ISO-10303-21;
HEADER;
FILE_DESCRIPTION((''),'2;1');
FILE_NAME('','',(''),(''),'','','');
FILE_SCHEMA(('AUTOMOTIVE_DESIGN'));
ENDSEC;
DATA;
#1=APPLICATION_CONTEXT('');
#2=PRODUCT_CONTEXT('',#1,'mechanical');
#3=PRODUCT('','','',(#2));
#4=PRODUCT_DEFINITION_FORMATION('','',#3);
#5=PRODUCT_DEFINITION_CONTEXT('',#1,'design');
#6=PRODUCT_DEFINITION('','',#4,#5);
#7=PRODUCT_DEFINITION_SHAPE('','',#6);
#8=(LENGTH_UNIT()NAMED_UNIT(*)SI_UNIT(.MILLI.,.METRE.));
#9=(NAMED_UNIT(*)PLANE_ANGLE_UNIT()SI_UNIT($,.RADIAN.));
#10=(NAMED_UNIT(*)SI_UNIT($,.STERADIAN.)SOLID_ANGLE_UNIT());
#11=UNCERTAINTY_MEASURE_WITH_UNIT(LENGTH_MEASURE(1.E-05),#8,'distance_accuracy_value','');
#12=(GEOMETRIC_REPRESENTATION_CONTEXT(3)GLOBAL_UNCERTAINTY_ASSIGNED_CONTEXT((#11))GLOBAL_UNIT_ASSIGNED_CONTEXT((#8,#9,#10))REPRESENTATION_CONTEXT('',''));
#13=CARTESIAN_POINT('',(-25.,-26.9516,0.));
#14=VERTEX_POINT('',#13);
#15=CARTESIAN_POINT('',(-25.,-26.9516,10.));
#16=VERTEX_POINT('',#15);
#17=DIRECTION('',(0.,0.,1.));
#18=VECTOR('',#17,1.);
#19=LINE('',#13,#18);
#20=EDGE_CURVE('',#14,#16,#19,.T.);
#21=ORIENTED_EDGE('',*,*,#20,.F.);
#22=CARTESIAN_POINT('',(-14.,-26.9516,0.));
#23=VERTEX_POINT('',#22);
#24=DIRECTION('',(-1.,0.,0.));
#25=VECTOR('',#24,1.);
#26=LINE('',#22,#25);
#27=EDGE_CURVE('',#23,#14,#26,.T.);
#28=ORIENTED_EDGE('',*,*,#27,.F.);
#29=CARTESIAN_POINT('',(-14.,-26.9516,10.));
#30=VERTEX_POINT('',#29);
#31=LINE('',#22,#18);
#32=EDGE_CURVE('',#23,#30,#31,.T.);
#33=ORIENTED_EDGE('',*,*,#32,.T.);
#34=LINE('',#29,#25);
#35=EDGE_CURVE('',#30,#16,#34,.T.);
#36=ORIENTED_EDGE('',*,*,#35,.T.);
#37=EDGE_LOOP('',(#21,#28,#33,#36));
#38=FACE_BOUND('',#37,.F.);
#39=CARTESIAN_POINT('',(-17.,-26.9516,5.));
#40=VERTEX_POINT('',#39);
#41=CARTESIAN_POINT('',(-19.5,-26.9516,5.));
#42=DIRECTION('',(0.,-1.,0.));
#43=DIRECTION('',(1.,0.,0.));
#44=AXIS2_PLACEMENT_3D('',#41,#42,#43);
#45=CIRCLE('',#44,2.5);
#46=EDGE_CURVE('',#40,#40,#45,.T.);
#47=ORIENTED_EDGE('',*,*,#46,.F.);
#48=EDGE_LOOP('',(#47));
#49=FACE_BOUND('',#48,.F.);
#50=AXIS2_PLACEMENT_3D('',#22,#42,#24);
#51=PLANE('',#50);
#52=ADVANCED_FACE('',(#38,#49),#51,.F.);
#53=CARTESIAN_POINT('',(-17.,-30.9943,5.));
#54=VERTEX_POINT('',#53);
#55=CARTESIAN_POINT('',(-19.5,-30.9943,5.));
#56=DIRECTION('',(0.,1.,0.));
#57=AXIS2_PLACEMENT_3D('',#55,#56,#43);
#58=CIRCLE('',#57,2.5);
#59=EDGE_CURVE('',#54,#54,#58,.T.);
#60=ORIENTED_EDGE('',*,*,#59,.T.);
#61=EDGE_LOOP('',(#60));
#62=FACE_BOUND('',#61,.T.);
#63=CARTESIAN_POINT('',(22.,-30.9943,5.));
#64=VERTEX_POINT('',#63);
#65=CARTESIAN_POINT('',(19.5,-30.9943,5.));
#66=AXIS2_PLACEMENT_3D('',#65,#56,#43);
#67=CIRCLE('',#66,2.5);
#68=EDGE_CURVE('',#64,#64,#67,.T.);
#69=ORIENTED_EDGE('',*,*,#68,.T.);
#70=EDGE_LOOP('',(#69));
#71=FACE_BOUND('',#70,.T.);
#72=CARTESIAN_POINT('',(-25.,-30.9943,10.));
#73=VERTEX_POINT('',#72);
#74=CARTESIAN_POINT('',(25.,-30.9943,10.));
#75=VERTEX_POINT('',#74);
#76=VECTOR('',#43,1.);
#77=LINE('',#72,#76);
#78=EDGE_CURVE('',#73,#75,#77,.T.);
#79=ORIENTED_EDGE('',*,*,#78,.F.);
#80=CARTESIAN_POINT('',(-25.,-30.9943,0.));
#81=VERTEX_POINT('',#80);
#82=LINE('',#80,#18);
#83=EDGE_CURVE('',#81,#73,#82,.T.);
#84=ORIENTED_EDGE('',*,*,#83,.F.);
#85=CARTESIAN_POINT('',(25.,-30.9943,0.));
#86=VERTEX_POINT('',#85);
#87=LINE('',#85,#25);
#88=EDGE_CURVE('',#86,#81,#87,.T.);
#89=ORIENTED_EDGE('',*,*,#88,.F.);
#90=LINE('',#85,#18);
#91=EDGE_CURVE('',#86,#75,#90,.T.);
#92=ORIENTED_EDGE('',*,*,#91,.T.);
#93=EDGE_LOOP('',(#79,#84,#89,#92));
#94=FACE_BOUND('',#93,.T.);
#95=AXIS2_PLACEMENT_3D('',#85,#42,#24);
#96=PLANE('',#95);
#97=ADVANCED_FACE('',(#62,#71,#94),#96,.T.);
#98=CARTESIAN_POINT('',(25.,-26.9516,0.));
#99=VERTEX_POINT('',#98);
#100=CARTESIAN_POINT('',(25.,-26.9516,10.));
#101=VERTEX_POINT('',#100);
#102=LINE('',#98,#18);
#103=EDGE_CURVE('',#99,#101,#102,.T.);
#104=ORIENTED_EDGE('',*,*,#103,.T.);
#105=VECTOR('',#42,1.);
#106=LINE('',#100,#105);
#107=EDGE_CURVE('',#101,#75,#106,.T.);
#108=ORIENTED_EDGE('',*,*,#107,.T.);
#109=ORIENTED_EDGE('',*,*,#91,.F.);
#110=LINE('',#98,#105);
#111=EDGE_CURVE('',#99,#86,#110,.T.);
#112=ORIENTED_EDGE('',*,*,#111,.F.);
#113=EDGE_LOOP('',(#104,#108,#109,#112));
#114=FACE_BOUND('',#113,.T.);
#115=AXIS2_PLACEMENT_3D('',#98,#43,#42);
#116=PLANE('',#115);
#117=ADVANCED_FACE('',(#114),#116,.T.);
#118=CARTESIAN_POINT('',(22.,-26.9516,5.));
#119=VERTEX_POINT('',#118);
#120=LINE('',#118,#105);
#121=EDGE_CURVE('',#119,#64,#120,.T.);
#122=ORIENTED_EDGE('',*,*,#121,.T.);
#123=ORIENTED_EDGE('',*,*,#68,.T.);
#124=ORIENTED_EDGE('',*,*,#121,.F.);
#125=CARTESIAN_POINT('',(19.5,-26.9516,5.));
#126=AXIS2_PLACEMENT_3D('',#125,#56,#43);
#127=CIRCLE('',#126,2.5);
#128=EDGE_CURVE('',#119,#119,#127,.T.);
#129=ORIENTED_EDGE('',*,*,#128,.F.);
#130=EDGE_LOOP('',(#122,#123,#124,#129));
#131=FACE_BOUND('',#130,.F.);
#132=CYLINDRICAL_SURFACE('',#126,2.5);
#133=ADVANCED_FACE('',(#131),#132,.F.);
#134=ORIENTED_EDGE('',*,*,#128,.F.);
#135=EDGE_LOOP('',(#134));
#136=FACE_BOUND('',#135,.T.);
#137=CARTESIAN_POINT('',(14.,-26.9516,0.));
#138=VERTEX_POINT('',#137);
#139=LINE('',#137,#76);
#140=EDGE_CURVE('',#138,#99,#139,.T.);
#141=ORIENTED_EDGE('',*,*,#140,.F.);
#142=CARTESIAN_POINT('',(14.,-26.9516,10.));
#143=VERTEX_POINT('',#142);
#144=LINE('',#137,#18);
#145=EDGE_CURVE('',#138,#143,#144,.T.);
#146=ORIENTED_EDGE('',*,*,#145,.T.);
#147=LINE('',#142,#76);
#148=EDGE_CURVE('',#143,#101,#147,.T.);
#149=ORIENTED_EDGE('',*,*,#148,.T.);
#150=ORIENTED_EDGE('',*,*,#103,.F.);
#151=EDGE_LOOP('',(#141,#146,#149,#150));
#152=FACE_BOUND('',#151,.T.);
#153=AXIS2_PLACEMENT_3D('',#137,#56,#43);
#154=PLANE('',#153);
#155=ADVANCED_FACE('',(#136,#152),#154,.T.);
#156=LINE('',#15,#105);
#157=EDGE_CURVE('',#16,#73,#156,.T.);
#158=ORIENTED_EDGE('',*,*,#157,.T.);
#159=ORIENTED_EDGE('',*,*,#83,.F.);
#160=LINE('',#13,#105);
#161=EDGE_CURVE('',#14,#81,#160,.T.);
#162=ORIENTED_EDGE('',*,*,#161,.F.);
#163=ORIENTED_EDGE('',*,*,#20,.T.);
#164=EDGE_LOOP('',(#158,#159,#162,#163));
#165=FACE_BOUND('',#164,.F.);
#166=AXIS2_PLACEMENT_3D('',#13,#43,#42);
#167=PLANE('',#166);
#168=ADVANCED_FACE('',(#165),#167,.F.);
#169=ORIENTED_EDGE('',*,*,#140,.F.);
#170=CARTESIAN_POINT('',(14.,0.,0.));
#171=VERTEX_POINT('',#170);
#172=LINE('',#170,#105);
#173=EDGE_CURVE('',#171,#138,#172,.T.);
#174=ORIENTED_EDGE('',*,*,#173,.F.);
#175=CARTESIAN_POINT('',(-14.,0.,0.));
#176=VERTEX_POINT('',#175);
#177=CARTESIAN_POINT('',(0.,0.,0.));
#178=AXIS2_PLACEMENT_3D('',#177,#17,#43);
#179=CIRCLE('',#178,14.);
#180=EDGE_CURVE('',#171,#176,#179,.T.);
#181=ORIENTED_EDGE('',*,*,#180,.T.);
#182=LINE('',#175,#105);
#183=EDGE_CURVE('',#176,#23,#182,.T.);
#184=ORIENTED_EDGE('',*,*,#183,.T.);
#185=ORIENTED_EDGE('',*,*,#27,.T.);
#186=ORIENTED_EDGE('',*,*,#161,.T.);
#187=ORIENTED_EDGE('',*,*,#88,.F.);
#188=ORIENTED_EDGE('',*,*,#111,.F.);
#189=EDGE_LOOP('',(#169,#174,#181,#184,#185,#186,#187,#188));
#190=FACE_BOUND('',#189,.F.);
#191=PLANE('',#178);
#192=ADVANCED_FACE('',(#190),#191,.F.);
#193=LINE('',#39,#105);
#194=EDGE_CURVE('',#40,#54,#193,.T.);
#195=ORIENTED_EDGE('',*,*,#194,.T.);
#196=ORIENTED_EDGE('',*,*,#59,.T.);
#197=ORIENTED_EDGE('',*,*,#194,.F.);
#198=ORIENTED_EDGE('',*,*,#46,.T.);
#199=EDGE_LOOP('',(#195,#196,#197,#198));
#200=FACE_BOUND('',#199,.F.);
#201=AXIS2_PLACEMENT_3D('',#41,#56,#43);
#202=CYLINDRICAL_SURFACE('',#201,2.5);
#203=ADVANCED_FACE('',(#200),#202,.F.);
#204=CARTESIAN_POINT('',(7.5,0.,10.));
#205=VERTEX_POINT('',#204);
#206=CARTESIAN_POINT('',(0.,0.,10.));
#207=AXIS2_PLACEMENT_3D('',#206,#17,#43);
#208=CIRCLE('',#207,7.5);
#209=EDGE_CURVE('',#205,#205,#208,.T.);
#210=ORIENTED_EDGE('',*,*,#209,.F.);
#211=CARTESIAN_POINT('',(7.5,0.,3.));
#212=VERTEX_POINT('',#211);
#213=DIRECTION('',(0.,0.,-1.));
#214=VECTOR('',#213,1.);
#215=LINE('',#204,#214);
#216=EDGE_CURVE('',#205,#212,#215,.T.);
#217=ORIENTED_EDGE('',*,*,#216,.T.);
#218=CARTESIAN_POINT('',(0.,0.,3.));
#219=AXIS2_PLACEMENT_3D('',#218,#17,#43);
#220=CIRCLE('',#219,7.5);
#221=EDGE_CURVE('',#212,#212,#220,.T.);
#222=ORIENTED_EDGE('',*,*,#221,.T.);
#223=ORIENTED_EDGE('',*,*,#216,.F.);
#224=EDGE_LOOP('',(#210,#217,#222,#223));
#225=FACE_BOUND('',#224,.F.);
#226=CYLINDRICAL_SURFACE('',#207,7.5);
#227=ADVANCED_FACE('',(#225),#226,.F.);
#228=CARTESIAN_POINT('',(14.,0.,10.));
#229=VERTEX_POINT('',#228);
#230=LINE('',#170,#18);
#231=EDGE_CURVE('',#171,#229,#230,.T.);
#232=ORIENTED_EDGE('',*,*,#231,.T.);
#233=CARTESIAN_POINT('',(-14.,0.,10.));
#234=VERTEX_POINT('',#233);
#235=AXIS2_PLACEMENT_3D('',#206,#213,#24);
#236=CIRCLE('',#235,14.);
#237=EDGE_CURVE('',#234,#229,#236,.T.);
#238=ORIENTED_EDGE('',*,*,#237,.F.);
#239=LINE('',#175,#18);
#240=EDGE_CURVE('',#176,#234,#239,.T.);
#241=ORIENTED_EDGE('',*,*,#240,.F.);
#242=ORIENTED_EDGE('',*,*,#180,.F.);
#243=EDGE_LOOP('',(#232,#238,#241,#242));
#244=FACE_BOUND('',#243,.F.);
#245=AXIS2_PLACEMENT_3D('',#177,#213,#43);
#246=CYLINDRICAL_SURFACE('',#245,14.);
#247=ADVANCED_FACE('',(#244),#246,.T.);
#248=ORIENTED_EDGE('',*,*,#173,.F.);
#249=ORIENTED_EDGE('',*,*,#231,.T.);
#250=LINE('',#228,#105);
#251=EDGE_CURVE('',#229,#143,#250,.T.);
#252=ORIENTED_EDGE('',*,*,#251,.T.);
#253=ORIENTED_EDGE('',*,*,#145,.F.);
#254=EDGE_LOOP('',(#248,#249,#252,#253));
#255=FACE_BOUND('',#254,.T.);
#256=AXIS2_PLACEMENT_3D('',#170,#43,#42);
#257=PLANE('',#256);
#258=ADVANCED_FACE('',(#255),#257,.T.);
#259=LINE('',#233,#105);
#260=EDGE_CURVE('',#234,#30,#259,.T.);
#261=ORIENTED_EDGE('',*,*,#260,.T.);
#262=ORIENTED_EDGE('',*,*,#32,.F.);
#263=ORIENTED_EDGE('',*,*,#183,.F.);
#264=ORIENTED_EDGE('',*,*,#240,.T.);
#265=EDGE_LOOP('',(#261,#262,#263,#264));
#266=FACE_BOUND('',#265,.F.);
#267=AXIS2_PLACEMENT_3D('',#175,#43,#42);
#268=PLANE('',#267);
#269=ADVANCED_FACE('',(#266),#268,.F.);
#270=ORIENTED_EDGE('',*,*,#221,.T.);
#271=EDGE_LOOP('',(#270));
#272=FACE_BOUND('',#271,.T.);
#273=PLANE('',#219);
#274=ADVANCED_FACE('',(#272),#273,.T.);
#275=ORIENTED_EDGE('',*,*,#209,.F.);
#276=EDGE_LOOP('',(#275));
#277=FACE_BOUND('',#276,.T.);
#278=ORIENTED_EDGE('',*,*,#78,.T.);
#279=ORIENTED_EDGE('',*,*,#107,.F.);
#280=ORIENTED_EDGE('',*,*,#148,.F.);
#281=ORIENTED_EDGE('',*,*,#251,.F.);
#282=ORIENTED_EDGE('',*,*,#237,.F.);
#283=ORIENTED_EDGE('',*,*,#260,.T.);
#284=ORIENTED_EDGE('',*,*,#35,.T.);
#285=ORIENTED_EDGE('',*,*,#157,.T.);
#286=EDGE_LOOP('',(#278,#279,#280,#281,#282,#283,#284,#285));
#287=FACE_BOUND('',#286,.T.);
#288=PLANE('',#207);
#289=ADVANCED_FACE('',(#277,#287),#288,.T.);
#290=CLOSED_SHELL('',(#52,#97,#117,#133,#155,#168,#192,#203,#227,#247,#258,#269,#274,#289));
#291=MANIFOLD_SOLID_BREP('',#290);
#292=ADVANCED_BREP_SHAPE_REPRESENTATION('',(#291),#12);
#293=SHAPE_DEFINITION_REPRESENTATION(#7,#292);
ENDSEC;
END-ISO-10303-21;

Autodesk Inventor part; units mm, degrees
ref_plane "YZ Plane" through (0, 0, 0) normal (1, 0, 0) x (0, 1, 0)
ref_plane "XZ Plane" through (0, 0, 0) normal (0, 1, 0) x (-1, 0, 0)
ref_plane "XY Plane" through (0, 0, 0) normal (0, 0, 1) x (1, 0, 0)
sketch "Boceto1" plane through (0, 0, 0) normal (0, 0, 1) x (1, 0, 0)
  arc A0 (0, 14) -> (-14, 0) centre (0, 0) ccw
  line L0 (-14, 0) -> (-14, -26.9516)
  line L1 (-14, -26.9516) -> (-25, -26.9516)
  line L2 (-25, -26.9516) -> (-25, -30.9943)
  line L3 (-25, -30.9943) -> (0, -30.9943)
  line L4 (0, -30.9943) -> (0, 14) construction
  arc A1 (0, 7.5) -> (0, -7.5) centre (0, 0) ccw
  arc A2 (14, 0) -> (0, 14) centre (0, 0) ccw
  line L5 (14, 0) -> (14, -26.9516)
  line L6 (14, -26.9516) -> (25, -26.9516)
  line L7 (25, -26.9516) -> (25, -30.9943)
  line L8 (25, -30.9943) -> (0, -30.9943)
  arc A3 (0, -7.5) -> (0, 7.5) centre (0, 0) ccw
  dimension "d2" = 7.5
  dimension "d6" = 50
  dimension "d7" = 28
extrude "Extrusión1" add sketch "Boceto1" along normal blind 10 contours A2 L5 L6 L7 L8 L3 L2 L1 L0 A0 | A3 A1
sketch "Boceto2" plane through (-25, -26.9516, 0) normal (0, 1, 0) x (1, 0, 0)
  line L0 (11, 0) -> (39, 0) projected
  line L1 (0, -10) -> (50, -10) projected
  line L2 (11, 0) -> (0, -10)
  line L3 (11, -10) -> (39, -10) projected
  line L4 (0, 0) -> (50, 0) projected
  line L5 (11, -10) -> (0, 0)
  line L6 (0, 0) -> (50, -10)
  line L7 (0, -10) -> (50, 0)
  line L8 (25, -5) -> (25, 11.6359)
  circle A0 centre (5.5, -5) radius 2.5
  circle A1 centre (44.5, -5) radius 2.5
  point P0 (25, 0)
  dimension "d3" = 5
extrude "Extrusión2" cut sketch "Boceto2" against normal blind 5 contours A0 L5 L2 | L2 L5 A0 | L5 L2 A0 | L5 A0 L2 | A1
sketch "Boceto3" plane through (0, 0, 10) normal (0, 0, 1) x (1, 0, 0)
  circle A0 centre (0, 0) radius 7.5
  dimension "d8" = 15
extrude "Extrusión3" cut sketch "Boceto3" against normal blind 7
properties part number "sopoetellantas"
